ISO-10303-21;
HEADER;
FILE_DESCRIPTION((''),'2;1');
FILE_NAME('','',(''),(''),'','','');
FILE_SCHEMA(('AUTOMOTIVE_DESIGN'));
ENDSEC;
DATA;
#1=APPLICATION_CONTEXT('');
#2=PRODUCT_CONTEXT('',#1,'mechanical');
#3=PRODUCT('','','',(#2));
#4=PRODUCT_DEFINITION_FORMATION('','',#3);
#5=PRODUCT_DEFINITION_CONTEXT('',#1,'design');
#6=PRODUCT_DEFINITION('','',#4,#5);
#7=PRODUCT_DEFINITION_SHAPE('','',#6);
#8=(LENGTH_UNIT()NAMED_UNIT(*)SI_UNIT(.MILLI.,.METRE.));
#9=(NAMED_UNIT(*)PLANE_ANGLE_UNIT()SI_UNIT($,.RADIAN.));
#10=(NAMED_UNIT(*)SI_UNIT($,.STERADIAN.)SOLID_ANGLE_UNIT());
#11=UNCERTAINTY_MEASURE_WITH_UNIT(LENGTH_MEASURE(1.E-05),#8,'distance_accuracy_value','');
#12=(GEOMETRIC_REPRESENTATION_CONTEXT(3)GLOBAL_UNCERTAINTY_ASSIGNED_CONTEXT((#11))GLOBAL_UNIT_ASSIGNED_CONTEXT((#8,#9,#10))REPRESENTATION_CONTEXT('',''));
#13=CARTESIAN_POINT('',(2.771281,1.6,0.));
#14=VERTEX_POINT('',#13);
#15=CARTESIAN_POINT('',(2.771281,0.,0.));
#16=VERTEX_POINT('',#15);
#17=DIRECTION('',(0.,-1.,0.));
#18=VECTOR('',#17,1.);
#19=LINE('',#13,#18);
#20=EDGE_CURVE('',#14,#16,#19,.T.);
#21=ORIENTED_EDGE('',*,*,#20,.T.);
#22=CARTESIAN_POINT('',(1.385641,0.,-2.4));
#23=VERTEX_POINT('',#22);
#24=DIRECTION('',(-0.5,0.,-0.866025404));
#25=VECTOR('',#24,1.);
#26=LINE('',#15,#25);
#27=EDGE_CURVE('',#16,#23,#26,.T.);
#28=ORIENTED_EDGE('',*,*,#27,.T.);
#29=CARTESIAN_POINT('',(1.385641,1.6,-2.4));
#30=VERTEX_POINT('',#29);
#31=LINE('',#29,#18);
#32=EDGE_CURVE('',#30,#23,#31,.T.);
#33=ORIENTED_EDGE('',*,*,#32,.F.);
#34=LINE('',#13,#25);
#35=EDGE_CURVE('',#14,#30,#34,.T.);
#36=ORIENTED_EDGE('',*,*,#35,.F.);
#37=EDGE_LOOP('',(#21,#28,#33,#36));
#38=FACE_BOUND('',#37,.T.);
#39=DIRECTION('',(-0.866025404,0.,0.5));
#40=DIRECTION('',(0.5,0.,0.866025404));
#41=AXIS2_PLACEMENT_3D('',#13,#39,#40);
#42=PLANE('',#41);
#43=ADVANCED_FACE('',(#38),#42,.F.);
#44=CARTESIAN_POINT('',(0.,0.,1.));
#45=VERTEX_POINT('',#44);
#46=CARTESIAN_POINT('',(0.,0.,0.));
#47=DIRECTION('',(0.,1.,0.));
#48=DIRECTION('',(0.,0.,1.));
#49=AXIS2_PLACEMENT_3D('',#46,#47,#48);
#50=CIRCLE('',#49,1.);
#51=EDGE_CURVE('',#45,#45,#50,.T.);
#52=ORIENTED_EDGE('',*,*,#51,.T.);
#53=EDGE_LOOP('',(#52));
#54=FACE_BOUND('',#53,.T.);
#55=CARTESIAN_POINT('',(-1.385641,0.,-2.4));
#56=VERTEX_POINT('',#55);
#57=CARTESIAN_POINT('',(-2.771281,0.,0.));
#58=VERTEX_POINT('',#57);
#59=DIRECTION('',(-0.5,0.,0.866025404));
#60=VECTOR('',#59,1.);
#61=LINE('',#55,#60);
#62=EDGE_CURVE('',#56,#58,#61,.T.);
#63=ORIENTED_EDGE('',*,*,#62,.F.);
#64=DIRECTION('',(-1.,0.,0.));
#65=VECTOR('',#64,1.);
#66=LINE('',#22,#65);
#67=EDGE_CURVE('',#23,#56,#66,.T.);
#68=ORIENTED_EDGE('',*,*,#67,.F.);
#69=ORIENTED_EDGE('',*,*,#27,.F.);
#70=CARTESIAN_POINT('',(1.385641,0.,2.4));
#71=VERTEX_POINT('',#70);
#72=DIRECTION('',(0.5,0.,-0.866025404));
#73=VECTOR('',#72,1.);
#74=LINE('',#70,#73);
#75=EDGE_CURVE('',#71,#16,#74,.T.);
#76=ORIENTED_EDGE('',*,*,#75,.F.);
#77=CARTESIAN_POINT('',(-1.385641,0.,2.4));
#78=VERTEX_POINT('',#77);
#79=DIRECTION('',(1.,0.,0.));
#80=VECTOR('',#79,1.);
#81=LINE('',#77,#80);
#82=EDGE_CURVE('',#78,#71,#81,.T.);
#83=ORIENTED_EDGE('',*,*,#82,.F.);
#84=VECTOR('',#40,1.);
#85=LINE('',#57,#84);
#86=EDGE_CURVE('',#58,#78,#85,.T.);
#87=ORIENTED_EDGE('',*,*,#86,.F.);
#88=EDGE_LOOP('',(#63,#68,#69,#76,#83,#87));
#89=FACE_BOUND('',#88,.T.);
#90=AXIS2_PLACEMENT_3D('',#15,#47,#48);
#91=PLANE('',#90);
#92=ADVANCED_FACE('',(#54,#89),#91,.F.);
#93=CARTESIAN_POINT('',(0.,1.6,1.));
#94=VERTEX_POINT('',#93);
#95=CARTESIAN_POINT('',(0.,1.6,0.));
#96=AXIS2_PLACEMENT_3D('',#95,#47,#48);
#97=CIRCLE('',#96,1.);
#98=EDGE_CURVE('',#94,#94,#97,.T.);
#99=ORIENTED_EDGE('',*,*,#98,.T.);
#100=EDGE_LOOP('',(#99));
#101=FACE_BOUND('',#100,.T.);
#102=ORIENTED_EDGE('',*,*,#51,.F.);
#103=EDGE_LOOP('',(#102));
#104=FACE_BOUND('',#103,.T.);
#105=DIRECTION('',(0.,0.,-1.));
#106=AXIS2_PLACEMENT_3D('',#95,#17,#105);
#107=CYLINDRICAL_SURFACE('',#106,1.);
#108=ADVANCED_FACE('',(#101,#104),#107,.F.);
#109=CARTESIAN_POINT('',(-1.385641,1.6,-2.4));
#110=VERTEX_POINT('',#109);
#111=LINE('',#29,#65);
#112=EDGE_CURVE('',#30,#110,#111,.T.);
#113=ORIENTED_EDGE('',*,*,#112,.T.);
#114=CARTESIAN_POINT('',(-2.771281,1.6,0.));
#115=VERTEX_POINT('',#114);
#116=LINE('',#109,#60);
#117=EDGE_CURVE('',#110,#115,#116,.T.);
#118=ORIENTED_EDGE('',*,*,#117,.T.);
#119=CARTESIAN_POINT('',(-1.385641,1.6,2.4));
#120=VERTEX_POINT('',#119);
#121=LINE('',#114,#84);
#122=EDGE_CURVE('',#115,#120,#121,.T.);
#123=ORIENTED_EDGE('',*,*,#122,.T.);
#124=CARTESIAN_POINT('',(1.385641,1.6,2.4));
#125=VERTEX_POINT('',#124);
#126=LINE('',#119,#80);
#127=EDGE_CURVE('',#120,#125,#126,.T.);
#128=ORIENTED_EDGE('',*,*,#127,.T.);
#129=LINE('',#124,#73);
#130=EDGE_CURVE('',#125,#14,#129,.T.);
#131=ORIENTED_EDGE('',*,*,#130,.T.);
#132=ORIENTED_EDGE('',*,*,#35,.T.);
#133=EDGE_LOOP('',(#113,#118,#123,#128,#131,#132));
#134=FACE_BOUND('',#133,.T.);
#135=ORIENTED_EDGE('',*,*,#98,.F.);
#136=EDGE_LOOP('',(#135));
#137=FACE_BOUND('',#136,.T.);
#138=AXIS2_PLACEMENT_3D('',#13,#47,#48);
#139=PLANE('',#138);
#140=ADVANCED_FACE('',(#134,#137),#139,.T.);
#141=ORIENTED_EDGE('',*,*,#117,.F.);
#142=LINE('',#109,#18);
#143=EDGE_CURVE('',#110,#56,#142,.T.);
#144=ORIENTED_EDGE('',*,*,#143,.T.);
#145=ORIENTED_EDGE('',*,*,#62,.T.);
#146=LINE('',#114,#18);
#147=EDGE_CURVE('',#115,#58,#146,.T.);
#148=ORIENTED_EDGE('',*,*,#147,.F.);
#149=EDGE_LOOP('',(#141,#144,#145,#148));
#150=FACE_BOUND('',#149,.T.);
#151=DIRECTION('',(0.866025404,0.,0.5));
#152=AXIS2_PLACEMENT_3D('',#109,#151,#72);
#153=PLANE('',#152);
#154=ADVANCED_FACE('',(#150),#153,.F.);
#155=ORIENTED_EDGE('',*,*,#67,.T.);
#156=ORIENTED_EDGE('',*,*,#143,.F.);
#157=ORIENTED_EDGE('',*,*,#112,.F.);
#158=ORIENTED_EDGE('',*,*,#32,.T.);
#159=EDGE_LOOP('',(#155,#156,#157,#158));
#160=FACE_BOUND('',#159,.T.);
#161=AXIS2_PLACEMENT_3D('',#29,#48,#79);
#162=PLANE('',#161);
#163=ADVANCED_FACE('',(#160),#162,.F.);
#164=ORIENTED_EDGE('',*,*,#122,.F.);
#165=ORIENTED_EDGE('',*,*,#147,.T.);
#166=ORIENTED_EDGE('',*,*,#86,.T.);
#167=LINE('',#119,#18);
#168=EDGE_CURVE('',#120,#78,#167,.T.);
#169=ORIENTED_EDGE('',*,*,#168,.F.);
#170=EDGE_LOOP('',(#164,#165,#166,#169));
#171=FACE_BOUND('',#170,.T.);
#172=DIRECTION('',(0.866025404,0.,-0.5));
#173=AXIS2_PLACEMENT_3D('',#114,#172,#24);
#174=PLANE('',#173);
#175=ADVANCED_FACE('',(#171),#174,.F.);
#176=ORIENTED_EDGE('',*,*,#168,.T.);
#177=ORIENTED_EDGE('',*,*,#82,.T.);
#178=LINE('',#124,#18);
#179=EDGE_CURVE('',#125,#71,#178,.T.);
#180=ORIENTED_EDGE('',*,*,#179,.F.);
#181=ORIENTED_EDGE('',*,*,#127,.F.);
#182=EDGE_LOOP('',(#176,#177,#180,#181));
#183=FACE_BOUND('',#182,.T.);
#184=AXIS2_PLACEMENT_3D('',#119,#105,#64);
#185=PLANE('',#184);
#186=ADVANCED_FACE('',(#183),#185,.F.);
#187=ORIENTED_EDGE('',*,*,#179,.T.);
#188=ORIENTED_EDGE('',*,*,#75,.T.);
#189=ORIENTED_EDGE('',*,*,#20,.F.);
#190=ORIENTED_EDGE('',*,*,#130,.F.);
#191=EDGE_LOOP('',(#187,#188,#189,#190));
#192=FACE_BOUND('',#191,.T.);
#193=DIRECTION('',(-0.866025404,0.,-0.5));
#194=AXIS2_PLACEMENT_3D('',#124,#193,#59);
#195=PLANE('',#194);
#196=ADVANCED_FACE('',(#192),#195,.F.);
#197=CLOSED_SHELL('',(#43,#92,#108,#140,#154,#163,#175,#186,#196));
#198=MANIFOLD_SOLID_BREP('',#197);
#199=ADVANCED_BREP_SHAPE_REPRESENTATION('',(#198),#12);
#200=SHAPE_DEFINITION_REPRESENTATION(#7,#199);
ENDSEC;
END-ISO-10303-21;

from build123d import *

# Parameters (mm, degrees)
SKETCH1_R      = 1
EXTRUDE1_DEPTH = 1.6


with BuildPart() as part:
    # Sketch1 → Extrude1 (new body)
    with BuildSketch(Plane(origin=(0, 0, 0), x_dir=(1, 0, 0), z_dir=(0, 1, 0))):
        Polygon((2.771281292, 0), (1.385640646, 2.4), (-1.385640646, 2.4), (-2.771281292, 0), (-1.385640646, -2.4), (1.385640646, -2.4), align=None)
        Circle(SKETCH1_R, mode=Mode.SUBTRACT)
    extrude(amount=EXTRUDE1_DEPTH)


solid = part.part
